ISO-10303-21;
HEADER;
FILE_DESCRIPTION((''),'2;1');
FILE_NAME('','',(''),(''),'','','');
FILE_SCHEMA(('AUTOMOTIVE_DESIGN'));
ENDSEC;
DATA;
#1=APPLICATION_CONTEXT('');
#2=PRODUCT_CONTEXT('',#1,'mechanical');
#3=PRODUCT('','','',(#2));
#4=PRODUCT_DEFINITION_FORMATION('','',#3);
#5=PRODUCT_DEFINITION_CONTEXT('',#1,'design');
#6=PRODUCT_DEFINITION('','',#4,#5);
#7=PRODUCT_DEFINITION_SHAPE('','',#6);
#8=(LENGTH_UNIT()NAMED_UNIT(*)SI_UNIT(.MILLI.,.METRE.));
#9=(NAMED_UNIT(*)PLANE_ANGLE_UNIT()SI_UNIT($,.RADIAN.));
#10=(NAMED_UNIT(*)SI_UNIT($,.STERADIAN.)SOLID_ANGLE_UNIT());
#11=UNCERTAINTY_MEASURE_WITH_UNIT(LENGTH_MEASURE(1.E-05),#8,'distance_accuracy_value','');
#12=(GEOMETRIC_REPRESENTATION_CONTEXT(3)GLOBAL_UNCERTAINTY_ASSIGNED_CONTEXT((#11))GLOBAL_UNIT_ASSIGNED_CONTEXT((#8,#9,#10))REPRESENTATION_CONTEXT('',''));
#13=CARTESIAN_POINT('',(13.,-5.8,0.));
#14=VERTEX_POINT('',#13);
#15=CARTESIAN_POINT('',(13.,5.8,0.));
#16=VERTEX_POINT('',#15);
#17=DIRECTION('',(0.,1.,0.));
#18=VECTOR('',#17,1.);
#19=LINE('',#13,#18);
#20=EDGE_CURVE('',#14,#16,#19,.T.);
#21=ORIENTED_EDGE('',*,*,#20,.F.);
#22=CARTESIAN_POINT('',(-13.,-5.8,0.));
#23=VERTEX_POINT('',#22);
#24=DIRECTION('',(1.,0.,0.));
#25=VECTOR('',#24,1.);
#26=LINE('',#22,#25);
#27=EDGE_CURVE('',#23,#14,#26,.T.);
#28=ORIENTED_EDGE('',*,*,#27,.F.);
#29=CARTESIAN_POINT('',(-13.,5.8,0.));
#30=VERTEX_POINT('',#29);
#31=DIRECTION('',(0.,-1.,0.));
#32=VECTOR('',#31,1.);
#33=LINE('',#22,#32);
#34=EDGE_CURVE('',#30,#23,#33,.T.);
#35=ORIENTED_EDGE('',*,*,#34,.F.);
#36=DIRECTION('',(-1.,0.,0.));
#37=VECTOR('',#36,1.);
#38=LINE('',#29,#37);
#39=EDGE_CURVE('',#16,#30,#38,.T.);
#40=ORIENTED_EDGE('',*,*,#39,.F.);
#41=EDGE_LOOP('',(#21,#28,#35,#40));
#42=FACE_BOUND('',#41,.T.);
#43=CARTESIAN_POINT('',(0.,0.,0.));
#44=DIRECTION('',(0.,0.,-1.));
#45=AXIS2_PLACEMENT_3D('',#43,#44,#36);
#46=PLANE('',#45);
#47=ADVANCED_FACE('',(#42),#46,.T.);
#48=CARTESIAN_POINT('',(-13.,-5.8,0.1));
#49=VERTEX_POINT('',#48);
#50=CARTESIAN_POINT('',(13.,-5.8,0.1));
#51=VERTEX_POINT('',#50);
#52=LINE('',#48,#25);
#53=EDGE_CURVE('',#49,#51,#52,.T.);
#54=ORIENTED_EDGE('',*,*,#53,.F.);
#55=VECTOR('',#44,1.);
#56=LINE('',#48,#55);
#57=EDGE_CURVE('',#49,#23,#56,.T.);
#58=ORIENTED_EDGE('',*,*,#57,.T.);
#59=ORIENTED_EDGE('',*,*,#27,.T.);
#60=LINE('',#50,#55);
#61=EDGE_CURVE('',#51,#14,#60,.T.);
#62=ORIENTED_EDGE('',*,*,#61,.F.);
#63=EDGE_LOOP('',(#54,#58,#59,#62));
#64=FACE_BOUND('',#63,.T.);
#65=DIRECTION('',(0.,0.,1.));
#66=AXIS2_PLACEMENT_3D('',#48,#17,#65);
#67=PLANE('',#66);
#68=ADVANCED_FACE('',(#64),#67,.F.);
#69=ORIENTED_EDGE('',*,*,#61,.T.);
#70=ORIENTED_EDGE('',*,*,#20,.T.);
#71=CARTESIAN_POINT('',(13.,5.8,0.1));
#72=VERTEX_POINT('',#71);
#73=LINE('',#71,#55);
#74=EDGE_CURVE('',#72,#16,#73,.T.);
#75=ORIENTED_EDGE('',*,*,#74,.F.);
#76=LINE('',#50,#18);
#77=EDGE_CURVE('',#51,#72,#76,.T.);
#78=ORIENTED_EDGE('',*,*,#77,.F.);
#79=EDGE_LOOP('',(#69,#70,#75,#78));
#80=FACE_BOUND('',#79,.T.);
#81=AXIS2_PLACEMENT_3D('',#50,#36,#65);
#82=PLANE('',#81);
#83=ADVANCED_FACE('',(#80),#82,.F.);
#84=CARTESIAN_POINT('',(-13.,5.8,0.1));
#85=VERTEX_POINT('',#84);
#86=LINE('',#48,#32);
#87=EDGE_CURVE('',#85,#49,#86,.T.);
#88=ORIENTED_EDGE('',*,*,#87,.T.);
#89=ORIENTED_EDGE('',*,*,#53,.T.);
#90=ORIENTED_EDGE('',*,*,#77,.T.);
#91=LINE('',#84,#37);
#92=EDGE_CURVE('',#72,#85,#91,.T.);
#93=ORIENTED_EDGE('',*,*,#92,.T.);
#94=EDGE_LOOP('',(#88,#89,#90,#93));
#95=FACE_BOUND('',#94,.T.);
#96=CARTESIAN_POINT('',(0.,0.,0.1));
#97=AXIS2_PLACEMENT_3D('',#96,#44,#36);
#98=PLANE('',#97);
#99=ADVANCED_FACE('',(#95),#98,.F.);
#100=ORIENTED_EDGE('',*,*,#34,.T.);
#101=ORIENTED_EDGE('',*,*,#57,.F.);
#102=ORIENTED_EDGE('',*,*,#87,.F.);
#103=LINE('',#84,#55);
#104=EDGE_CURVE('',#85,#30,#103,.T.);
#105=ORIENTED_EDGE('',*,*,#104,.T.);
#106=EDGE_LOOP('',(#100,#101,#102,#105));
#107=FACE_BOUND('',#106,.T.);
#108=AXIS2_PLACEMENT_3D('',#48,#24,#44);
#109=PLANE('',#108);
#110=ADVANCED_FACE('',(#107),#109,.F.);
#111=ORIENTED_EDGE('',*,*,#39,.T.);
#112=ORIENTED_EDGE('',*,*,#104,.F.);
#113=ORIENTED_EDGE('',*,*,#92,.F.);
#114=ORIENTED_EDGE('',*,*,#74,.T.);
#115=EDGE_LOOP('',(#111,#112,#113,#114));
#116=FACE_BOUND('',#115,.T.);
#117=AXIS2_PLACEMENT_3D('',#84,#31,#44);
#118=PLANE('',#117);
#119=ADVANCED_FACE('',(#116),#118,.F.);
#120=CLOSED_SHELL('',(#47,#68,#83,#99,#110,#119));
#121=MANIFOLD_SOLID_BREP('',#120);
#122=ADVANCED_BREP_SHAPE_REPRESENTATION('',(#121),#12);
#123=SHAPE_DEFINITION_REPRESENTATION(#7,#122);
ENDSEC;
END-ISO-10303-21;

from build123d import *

# Parameters (mm, degrees)
ESQUISSE1_W        = 26
ESQUISSE1_H        = 11.6
BOSS_EXTRU_1_DEPTH = 0.1


with BuildPart() as part:
    # Esquisse1 → Boss.-Extru.1 (new body)
    with BuildSketch(Plane.XY):
        Rectangle(ESQUISSE1_W, ESQUISSE1_H)
    extrude(amount=BOSS_EXTRU_1_DEPTH)


solid = part.part
